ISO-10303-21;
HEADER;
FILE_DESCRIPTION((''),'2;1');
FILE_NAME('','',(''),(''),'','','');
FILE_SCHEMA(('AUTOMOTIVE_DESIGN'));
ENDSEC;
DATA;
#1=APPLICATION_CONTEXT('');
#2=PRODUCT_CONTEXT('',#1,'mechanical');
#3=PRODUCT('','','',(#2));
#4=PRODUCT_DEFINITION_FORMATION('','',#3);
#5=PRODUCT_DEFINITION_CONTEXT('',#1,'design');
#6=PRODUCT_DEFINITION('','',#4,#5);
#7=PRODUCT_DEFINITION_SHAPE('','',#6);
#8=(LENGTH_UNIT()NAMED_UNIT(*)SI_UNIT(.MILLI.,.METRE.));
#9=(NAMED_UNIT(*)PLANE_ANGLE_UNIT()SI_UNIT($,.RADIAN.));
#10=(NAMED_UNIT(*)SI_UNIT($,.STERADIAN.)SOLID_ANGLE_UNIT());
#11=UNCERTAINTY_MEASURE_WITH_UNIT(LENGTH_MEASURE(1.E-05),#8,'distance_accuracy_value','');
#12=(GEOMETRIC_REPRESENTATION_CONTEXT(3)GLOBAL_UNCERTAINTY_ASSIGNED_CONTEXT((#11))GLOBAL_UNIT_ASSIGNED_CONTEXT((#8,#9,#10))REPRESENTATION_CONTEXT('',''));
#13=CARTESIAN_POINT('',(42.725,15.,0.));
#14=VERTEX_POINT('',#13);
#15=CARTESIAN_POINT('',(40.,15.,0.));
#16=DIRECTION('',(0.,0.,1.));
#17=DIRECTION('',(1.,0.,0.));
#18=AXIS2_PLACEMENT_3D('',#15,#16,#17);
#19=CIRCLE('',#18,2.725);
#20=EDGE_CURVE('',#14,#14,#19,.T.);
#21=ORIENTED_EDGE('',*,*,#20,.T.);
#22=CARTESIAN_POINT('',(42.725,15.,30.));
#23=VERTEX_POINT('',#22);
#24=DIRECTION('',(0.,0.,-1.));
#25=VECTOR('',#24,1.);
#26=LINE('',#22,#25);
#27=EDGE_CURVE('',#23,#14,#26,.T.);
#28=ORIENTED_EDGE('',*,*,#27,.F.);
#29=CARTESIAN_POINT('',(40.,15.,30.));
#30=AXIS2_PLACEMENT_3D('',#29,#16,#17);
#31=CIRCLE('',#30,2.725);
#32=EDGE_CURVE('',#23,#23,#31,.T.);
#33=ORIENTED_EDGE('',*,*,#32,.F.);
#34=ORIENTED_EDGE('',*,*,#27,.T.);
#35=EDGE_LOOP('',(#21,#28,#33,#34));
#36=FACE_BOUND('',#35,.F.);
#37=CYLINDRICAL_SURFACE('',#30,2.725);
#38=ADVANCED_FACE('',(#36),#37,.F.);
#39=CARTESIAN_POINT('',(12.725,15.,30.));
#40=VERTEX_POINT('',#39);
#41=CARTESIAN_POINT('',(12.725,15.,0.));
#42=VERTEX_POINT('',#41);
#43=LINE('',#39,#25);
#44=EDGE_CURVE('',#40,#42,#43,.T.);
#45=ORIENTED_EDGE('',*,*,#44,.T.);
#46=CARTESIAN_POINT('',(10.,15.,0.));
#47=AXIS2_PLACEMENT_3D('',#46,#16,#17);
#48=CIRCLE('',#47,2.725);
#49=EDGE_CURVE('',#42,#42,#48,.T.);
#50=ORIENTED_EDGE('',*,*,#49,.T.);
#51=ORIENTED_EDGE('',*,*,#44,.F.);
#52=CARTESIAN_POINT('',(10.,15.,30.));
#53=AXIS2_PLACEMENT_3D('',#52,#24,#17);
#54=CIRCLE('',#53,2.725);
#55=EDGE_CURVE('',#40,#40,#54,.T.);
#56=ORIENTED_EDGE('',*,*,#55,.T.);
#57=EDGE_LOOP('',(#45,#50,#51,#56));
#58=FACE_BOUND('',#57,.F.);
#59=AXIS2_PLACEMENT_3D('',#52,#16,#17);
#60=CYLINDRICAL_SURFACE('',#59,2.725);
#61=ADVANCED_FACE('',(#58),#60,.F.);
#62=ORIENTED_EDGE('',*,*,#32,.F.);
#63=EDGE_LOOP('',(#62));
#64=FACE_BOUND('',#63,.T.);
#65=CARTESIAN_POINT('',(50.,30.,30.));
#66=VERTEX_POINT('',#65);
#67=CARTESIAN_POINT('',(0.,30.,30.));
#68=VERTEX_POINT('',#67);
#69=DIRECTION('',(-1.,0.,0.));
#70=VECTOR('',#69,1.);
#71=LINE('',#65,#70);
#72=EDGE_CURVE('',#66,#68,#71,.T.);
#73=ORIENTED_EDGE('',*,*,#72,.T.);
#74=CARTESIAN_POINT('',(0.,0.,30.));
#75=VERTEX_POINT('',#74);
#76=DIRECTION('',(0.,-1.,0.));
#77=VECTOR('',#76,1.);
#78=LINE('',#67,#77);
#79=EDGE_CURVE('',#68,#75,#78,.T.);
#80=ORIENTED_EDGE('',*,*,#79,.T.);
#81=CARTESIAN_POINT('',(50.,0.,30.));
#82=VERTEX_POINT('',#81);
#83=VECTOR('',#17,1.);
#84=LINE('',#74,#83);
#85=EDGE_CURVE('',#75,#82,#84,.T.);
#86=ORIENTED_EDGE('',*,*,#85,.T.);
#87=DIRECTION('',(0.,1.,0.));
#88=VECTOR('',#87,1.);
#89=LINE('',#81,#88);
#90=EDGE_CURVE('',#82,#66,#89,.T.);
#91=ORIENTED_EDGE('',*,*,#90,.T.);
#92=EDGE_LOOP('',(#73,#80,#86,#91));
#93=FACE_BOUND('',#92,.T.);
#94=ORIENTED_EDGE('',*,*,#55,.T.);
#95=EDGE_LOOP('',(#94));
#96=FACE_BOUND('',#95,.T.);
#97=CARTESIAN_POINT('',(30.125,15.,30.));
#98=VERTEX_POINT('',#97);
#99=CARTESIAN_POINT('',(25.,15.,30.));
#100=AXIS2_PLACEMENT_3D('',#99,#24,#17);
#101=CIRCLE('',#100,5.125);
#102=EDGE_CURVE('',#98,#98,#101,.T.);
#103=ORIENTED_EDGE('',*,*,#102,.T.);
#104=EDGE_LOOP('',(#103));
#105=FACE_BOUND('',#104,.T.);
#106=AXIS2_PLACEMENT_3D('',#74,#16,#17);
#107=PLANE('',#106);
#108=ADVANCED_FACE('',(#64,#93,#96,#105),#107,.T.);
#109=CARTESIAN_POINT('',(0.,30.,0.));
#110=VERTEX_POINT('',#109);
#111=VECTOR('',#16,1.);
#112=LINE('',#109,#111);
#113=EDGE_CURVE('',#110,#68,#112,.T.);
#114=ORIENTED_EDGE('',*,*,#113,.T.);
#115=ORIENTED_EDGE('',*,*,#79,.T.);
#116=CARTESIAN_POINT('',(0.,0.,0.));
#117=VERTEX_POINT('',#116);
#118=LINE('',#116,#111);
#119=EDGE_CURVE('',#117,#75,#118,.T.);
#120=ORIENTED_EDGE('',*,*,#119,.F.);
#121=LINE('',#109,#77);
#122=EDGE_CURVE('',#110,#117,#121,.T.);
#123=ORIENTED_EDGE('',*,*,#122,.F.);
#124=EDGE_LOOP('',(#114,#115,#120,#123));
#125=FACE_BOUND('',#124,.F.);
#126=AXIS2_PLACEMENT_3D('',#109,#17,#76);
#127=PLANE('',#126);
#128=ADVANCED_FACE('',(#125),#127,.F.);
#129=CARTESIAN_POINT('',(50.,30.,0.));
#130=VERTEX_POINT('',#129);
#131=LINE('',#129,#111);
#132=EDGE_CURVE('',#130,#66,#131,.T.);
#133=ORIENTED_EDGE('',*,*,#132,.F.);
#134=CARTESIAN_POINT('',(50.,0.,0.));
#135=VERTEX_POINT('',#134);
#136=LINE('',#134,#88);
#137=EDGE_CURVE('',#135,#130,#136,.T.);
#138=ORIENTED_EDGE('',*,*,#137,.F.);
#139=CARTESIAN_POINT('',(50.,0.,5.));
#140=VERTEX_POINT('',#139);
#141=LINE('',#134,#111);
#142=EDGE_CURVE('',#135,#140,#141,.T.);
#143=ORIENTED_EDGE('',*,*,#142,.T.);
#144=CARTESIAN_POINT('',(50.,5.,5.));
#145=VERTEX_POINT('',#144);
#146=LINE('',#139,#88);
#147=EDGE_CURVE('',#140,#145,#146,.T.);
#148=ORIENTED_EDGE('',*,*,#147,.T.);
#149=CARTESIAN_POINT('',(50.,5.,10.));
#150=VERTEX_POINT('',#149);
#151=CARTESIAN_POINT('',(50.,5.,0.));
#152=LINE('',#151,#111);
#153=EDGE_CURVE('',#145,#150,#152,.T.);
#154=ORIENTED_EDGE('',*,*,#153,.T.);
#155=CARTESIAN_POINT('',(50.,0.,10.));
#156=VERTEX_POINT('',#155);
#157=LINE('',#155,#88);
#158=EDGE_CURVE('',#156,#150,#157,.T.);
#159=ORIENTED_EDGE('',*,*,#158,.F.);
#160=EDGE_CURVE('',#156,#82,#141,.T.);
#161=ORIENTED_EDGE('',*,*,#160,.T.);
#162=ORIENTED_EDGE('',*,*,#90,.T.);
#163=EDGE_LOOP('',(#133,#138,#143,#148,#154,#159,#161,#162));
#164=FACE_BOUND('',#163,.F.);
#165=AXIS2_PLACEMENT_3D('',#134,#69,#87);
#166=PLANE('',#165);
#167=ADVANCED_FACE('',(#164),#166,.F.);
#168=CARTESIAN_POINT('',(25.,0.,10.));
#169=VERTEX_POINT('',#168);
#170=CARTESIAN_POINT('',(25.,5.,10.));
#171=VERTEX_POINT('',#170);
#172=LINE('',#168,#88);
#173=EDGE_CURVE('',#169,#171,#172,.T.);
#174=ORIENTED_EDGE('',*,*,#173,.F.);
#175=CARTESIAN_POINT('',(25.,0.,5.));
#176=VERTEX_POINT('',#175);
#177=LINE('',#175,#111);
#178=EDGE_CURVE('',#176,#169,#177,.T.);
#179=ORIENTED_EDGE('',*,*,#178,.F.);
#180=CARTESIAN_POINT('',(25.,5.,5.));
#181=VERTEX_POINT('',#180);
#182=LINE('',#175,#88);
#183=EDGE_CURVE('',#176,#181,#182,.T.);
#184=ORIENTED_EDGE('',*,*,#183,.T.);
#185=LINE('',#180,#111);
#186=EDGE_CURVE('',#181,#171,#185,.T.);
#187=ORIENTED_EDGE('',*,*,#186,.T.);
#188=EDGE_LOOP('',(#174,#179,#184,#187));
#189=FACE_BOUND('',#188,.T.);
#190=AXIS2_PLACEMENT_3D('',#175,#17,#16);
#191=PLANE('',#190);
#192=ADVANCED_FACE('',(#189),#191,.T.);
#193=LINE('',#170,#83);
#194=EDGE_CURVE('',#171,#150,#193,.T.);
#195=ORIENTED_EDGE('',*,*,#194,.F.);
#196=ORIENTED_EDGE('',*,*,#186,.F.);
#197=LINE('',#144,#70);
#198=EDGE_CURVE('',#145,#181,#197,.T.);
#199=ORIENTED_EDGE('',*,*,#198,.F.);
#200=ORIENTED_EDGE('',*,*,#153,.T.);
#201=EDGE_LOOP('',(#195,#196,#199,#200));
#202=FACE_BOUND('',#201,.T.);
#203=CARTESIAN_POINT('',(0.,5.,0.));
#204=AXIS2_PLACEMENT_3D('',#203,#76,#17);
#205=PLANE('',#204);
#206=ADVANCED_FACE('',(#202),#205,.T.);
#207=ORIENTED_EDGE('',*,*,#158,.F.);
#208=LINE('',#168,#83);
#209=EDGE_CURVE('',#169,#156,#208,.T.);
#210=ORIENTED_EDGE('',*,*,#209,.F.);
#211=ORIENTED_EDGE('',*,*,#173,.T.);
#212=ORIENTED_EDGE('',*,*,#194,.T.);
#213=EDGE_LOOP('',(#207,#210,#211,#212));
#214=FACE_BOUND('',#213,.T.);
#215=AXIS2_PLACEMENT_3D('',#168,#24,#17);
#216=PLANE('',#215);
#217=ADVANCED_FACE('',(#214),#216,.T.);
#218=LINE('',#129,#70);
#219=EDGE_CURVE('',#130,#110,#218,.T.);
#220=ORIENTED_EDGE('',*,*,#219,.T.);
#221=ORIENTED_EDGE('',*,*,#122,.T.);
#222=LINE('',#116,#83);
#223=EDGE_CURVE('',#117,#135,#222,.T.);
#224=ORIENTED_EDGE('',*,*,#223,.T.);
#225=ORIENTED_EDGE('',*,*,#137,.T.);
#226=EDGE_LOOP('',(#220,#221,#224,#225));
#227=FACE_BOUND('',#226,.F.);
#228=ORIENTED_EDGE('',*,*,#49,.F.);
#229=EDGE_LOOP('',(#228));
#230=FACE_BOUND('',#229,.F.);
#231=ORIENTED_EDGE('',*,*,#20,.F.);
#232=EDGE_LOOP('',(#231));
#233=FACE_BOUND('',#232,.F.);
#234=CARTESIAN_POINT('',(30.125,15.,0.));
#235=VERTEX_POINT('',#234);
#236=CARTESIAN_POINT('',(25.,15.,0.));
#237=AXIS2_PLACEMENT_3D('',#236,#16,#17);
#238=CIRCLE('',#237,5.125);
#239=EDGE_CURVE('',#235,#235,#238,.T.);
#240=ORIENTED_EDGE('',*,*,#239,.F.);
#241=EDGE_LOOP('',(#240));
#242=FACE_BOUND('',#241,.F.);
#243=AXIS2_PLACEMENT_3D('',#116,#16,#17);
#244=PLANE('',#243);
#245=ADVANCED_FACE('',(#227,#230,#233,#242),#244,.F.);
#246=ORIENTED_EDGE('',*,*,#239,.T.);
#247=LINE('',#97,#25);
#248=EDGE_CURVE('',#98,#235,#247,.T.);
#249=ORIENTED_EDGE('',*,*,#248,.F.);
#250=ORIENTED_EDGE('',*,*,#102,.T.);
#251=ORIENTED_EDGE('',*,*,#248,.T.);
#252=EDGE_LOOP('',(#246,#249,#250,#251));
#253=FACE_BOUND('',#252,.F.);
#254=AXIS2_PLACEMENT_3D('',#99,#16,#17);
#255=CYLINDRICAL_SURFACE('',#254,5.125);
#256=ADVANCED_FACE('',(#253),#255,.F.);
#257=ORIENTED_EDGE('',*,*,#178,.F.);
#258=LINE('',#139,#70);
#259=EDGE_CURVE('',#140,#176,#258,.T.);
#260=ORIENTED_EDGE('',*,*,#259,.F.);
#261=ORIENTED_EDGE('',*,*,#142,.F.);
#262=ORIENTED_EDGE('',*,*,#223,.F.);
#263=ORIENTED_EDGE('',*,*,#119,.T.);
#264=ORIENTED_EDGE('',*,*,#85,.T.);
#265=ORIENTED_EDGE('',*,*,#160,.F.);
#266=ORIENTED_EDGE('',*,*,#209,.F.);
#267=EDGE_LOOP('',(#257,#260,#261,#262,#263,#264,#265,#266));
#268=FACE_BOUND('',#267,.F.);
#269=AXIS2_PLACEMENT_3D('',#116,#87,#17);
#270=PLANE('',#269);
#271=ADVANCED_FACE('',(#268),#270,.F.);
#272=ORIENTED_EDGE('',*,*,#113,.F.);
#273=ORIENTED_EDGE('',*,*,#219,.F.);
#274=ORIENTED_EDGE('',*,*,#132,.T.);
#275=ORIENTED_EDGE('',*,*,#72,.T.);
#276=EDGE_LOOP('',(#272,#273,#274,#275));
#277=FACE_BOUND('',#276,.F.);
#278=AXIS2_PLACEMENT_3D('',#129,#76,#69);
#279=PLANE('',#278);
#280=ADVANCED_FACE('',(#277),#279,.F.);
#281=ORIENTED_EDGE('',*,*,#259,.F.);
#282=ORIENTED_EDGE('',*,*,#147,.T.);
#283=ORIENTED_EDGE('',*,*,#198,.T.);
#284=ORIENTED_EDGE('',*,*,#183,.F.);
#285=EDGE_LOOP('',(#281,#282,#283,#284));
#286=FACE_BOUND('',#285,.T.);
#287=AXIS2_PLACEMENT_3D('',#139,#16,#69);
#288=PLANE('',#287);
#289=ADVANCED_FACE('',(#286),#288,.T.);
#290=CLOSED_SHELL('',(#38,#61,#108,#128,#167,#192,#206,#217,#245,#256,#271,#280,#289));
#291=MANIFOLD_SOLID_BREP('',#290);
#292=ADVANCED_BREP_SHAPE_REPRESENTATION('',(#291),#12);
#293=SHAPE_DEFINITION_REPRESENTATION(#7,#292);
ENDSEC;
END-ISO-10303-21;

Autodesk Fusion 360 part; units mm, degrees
sketch "Sketch1" plane through (0, 0, 0) normal (0, 0, 1) x (1, 0, 0)
  line L0 (0, 0) -> (50, 0)
  line L1 (50, 0) -> (50, 30)
  line L2 (50, 30) -> (0, 30)
  line L3 (0, 30) -> (0, 0)
  dimension "d1" = 50
  dimension "d2" = 30
extrude "Extrude1" add sketch "Sketch1" along normal blind 30
sketch "Sketch2" plane through (0, 0, 30) normal (0, 0, 1) x (1, 0, 0)
  line L0 (0, 30) -> (0, 0)
  line L1 (0, 0) -> (50, 0)
  line L2 (50, 0) -> (50, 30)
  line L3 (50, 30) -> (0, 30)
  line L4 (0, 30) -> (0, 15)
  line L5 (0, 15) -> (10, 15)
  line L6 (0, 15) -> (25, 15)
  line L7 (50, 15) -> (40, 15)
  circle A0 centre (10, 15) radius 2.725
  circle A1 centre (40, 15) radius 2.725
  circle A2 centre (25, 15) radius 5.125
  dimension "d5" = 10
  dimension "d6" = 25
  dimension "d7" = 10
  dimension "d8" = 5.45
  dimension "d9" = 5.45
  dimension "d10" = 10.25
extrude "Extrude2" cut sketch "Sketch2" against normal blind 30 contours A2 | L5 L6 A0 | L5 L6 A0 | A1
sketch "Sketch3" plane through (0, 0, 0) normal (0, -1, 0) x (1, 0, 0)
  line L0 (0, 0) -> (50, 0)
  line L1 (50, 0) -> (50, 30)
  line L2 (50, 30) -> (0, 30)
  line L3 (0, 30) -> (0, 0)
  line L4 (50, 0) -> (50, 5)
  line L5 (50, 5) -> (25, 5)
  line L6 (25, 5) -> (25, 10)
  line L7 (25, 10) -> (50, 10)
  line L8 (50, 10) -> (50, 5)
  dimension "d13" = 5
  dimension "d14" = 25
  dimension "d15" = 5
extrude "Extrude3" cut sketch "Sketch3" against normal blind 5 contours L1 L5 L6 L7 L8
